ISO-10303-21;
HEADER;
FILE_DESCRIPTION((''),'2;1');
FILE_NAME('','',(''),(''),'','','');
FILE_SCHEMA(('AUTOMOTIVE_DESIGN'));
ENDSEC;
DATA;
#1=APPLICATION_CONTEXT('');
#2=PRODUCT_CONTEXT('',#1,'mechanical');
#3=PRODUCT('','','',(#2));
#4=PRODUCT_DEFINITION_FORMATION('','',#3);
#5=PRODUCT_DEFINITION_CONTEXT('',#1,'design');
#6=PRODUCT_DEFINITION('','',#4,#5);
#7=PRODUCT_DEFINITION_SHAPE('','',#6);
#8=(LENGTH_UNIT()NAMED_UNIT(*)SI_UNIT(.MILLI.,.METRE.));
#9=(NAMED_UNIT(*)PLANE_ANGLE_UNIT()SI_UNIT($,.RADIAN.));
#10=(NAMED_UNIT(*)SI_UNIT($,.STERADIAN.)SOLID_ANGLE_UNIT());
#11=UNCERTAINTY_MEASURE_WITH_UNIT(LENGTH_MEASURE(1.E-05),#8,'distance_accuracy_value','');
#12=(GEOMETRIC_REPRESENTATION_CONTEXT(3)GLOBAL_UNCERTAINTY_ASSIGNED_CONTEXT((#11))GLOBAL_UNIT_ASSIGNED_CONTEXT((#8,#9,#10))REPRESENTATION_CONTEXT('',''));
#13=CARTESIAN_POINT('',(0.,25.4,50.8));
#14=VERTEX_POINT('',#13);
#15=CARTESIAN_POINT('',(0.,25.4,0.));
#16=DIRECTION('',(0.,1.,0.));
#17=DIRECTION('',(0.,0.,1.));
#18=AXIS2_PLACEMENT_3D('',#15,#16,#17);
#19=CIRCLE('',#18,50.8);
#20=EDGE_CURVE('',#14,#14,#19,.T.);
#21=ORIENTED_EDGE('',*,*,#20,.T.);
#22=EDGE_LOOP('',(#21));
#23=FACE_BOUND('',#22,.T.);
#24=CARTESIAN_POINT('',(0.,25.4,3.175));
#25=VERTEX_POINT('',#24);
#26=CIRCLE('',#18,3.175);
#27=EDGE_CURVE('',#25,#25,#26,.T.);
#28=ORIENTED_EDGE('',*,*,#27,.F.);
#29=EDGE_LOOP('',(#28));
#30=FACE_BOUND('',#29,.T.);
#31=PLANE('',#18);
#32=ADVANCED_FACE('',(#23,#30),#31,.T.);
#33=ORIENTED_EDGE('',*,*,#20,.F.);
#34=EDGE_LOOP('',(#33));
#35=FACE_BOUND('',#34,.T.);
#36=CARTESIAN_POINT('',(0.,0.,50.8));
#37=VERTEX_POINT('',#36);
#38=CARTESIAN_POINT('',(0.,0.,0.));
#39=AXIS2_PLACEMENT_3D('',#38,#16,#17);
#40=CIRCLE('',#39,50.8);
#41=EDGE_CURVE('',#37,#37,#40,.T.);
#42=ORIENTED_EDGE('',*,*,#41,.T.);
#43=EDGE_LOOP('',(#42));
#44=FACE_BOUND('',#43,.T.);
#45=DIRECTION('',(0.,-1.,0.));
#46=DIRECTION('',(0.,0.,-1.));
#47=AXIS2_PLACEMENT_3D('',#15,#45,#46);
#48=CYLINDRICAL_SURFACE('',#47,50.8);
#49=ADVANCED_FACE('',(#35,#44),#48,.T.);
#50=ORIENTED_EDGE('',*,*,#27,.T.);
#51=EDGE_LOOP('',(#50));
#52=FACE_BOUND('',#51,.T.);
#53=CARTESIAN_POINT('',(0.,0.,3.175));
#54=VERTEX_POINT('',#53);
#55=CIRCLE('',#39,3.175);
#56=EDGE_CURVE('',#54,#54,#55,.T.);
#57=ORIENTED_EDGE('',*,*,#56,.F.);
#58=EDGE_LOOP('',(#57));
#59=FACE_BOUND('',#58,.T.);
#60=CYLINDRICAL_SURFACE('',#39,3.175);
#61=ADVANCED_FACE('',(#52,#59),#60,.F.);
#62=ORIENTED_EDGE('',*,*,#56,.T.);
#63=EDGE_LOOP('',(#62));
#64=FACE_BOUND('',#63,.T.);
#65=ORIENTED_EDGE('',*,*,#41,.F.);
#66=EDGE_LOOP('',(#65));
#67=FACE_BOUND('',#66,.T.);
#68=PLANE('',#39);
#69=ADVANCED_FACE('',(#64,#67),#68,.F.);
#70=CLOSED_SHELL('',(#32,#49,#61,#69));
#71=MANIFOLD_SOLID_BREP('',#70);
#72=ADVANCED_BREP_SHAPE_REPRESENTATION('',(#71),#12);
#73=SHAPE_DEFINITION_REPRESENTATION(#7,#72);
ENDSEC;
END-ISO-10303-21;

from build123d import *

# Parameters (mm, degrees)
SKETCH1_R           = 50.8
BOSS_EXTRUDE1_DEPTH = 25.4
SKETCH2_R           = 3.175
CUT_EXTRUDE1_DEPTH  = 25.4


with BuildPart() as part:
    # Sketch1 → Boss-Extrude1 (new body)
    with BuildSketch(Plane(origin=(0, 0, 0), x_dir=(1, 0, 0), z_dir=(0, 1, 0))):
        Circle(SKETCH1_R)
    extrude(amount=BOSS_EXTRUDE1_DEPTH)

    # Sketch2 → Cut-Extrude1 (cut)
    with BuildSketch(Plane(origin=(0, 25.4, 0), x_dir=(1, 0, 0), z_dir=(0, 1, 0))):
        Circle(SKETCH2_R)
    extrude(amount=-CUT_EXTRUDE1_DEPTH, mode=Mode.SUBTRACT)


solid = part.part
